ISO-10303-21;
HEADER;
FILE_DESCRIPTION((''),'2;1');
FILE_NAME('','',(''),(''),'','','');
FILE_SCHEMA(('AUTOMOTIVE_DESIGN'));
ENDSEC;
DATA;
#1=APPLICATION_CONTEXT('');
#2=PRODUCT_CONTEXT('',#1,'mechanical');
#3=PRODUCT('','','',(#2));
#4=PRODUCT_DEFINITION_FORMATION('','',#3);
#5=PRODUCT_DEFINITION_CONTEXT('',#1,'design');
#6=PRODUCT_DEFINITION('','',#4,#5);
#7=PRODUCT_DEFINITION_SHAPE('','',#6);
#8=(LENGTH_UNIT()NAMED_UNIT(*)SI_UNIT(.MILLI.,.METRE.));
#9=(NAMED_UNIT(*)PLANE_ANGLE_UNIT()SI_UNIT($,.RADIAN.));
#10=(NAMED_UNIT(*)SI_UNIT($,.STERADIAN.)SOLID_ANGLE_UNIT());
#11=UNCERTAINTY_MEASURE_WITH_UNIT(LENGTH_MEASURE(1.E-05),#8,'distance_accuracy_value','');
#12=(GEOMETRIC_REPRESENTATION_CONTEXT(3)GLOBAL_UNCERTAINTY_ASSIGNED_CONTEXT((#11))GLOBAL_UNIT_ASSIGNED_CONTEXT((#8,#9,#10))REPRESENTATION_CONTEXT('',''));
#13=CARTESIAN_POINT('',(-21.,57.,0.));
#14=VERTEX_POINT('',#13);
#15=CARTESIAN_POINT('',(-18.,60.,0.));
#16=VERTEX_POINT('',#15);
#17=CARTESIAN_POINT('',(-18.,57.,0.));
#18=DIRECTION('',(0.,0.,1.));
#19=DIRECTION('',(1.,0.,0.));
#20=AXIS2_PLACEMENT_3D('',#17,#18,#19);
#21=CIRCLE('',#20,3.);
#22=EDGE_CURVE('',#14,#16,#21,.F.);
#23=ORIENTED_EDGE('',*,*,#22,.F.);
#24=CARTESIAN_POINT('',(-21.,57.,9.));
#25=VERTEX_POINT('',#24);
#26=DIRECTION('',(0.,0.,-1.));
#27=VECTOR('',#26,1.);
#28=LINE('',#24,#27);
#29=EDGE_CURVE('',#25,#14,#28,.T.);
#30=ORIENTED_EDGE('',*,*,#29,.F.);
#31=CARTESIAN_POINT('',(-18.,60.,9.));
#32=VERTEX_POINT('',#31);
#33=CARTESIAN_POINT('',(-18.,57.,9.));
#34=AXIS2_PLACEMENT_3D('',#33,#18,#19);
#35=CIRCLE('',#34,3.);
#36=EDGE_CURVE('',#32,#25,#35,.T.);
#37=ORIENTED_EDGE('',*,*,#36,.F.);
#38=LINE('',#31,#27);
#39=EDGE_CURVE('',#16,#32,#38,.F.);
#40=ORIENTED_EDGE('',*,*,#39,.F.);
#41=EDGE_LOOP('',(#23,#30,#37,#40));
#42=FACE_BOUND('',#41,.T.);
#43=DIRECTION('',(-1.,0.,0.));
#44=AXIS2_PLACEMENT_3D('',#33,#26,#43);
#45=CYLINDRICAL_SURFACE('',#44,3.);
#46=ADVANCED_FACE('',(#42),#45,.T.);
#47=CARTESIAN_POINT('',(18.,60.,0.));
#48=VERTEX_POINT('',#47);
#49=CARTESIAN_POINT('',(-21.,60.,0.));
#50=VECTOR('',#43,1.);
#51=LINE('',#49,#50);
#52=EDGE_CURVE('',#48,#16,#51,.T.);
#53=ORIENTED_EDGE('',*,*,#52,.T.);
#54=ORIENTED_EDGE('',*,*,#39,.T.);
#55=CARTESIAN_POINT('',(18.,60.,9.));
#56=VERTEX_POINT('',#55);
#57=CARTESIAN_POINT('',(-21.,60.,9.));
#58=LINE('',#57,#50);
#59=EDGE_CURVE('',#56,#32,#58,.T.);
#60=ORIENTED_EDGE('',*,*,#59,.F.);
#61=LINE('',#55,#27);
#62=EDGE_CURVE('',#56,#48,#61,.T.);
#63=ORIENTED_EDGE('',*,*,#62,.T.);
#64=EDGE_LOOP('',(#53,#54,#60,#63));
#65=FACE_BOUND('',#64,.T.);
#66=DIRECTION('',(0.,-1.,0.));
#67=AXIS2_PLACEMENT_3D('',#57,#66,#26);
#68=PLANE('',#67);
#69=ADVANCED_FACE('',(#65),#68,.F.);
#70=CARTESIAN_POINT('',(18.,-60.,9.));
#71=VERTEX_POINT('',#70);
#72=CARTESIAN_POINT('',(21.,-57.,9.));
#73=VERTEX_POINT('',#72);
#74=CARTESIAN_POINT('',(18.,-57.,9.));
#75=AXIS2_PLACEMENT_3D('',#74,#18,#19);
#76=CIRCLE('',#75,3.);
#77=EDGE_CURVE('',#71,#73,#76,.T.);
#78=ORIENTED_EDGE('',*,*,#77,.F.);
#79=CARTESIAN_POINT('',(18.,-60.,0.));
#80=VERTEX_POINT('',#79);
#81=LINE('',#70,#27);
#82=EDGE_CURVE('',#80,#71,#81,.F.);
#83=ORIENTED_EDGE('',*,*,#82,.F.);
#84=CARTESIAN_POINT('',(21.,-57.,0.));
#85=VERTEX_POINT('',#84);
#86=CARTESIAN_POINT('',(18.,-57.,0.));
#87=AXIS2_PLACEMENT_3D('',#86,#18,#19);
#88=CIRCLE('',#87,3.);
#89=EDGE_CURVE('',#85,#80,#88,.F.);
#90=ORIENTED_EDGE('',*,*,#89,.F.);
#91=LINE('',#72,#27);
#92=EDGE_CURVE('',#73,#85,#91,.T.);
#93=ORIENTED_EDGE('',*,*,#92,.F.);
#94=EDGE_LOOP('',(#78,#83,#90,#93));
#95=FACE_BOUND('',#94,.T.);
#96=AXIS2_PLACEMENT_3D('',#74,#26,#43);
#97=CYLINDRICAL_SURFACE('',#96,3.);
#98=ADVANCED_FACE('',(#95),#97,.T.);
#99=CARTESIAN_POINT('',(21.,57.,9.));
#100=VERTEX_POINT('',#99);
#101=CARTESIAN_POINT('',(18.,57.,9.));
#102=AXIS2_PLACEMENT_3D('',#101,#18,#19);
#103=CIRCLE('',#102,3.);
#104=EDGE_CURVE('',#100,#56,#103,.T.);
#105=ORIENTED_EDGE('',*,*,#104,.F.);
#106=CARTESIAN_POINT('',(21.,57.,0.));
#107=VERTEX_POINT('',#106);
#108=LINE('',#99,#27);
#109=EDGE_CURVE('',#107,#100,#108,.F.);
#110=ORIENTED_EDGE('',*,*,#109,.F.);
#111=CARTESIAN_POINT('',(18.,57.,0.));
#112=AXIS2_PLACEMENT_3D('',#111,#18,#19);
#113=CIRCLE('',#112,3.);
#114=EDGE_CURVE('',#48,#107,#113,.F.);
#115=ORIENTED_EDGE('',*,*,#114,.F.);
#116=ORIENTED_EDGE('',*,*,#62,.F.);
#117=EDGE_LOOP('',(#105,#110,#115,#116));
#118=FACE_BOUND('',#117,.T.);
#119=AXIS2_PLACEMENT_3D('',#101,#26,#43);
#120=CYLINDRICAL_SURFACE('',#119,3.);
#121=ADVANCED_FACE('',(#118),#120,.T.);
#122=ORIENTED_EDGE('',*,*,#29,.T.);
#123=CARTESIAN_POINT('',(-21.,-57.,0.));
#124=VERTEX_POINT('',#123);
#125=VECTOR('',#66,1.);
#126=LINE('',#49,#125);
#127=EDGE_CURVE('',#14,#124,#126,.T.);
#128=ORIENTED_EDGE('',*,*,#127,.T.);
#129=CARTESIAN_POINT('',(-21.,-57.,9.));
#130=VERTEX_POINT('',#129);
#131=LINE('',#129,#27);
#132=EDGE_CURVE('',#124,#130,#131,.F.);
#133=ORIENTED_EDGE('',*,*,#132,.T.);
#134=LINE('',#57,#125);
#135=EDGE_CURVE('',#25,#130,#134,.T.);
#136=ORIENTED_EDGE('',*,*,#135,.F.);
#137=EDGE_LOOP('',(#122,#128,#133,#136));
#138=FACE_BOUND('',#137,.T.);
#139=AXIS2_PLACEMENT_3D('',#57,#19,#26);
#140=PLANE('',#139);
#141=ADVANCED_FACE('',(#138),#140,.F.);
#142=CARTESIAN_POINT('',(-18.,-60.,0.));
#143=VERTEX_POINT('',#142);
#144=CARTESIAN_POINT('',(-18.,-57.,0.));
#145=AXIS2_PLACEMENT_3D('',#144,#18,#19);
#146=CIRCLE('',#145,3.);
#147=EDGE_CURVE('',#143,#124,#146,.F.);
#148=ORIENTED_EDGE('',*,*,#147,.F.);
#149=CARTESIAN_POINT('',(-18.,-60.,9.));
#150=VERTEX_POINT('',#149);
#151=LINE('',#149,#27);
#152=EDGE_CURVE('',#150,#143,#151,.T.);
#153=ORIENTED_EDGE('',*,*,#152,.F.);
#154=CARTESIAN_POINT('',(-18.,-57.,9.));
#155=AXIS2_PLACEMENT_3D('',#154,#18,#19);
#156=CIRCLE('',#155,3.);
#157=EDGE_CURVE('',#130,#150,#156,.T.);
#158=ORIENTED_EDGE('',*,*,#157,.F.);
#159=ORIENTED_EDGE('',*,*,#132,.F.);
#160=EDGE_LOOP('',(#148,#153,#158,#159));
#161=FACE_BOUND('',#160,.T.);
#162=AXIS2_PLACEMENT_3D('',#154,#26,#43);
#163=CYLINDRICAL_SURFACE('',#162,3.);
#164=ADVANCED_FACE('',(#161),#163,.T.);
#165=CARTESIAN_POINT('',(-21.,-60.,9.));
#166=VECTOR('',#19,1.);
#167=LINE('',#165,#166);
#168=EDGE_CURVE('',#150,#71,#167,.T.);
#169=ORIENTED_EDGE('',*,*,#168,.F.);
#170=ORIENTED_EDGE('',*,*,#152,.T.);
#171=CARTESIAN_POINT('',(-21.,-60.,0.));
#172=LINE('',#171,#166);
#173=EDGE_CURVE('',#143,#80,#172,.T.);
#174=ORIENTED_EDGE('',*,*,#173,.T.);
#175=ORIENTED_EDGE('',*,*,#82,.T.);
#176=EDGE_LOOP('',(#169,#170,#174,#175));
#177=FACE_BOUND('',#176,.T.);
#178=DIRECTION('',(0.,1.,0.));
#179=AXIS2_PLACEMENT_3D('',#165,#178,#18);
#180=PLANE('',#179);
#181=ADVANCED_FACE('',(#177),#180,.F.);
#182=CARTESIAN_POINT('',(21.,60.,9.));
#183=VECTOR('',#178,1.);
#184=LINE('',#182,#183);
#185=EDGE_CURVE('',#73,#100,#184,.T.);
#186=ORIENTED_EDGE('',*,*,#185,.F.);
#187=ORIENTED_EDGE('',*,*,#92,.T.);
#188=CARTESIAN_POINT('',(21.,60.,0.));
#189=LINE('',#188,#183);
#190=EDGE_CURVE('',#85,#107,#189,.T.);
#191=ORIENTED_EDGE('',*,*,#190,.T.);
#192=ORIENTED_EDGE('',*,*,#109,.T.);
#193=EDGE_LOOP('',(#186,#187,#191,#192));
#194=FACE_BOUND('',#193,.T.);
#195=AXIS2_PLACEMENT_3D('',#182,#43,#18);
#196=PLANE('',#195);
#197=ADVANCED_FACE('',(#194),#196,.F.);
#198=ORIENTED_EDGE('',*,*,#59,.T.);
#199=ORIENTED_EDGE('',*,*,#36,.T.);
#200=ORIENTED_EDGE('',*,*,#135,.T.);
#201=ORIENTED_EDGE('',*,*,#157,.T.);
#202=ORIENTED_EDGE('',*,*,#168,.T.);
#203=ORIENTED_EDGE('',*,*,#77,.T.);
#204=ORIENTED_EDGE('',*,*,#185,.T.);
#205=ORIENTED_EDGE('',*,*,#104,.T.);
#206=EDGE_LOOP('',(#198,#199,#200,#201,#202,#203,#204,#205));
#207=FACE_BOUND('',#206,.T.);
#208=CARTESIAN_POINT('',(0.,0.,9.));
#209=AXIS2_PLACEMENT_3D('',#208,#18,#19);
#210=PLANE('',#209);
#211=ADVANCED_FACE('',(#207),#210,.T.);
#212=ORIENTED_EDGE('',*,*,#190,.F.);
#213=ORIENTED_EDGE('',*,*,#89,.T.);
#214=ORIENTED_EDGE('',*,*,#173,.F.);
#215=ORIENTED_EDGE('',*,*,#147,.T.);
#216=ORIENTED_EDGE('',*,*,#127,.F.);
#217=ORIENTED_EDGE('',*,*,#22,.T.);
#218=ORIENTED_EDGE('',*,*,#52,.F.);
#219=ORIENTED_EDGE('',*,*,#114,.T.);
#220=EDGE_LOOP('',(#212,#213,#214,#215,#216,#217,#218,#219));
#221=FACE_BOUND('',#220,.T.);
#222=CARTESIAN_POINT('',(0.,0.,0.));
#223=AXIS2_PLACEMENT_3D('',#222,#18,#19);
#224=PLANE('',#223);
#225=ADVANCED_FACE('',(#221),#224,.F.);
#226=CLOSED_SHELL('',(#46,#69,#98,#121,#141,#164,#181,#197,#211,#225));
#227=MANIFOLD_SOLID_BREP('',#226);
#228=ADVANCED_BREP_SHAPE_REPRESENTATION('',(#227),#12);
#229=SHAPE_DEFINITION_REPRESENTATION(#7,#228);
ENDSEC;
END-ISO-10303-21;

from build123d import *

# Parameters (mm, degrees)
ESQUISSE1_W        = 42
ESQUISSE1_H        = 120
BOSS_EXTRU_1_DEPTH = 9
CONG_1_R           = 3


with BuildPart() as part:
    # Esquisse1 → Boss.-Extru.1 (new body)
    with BuildSketch(Plane.XY):
        Rectangle(ESQUISSE1_W, ESQUISSE1_H)
    extrude(amount=BOSS_EXTRU_1_DEPTH)

    # Congé1
    cong_1_edges = [part.edges().sort_by_distance(p)[0] for p in [
        (-21, 60, 4.5),
        (21, 60, 4.5),
        (21, -60, 4.5),
        (-21, -60, 4.5),
    ]]
    fillet(cong_1_edges, radius=CONG_1_R)


solid = part.part
